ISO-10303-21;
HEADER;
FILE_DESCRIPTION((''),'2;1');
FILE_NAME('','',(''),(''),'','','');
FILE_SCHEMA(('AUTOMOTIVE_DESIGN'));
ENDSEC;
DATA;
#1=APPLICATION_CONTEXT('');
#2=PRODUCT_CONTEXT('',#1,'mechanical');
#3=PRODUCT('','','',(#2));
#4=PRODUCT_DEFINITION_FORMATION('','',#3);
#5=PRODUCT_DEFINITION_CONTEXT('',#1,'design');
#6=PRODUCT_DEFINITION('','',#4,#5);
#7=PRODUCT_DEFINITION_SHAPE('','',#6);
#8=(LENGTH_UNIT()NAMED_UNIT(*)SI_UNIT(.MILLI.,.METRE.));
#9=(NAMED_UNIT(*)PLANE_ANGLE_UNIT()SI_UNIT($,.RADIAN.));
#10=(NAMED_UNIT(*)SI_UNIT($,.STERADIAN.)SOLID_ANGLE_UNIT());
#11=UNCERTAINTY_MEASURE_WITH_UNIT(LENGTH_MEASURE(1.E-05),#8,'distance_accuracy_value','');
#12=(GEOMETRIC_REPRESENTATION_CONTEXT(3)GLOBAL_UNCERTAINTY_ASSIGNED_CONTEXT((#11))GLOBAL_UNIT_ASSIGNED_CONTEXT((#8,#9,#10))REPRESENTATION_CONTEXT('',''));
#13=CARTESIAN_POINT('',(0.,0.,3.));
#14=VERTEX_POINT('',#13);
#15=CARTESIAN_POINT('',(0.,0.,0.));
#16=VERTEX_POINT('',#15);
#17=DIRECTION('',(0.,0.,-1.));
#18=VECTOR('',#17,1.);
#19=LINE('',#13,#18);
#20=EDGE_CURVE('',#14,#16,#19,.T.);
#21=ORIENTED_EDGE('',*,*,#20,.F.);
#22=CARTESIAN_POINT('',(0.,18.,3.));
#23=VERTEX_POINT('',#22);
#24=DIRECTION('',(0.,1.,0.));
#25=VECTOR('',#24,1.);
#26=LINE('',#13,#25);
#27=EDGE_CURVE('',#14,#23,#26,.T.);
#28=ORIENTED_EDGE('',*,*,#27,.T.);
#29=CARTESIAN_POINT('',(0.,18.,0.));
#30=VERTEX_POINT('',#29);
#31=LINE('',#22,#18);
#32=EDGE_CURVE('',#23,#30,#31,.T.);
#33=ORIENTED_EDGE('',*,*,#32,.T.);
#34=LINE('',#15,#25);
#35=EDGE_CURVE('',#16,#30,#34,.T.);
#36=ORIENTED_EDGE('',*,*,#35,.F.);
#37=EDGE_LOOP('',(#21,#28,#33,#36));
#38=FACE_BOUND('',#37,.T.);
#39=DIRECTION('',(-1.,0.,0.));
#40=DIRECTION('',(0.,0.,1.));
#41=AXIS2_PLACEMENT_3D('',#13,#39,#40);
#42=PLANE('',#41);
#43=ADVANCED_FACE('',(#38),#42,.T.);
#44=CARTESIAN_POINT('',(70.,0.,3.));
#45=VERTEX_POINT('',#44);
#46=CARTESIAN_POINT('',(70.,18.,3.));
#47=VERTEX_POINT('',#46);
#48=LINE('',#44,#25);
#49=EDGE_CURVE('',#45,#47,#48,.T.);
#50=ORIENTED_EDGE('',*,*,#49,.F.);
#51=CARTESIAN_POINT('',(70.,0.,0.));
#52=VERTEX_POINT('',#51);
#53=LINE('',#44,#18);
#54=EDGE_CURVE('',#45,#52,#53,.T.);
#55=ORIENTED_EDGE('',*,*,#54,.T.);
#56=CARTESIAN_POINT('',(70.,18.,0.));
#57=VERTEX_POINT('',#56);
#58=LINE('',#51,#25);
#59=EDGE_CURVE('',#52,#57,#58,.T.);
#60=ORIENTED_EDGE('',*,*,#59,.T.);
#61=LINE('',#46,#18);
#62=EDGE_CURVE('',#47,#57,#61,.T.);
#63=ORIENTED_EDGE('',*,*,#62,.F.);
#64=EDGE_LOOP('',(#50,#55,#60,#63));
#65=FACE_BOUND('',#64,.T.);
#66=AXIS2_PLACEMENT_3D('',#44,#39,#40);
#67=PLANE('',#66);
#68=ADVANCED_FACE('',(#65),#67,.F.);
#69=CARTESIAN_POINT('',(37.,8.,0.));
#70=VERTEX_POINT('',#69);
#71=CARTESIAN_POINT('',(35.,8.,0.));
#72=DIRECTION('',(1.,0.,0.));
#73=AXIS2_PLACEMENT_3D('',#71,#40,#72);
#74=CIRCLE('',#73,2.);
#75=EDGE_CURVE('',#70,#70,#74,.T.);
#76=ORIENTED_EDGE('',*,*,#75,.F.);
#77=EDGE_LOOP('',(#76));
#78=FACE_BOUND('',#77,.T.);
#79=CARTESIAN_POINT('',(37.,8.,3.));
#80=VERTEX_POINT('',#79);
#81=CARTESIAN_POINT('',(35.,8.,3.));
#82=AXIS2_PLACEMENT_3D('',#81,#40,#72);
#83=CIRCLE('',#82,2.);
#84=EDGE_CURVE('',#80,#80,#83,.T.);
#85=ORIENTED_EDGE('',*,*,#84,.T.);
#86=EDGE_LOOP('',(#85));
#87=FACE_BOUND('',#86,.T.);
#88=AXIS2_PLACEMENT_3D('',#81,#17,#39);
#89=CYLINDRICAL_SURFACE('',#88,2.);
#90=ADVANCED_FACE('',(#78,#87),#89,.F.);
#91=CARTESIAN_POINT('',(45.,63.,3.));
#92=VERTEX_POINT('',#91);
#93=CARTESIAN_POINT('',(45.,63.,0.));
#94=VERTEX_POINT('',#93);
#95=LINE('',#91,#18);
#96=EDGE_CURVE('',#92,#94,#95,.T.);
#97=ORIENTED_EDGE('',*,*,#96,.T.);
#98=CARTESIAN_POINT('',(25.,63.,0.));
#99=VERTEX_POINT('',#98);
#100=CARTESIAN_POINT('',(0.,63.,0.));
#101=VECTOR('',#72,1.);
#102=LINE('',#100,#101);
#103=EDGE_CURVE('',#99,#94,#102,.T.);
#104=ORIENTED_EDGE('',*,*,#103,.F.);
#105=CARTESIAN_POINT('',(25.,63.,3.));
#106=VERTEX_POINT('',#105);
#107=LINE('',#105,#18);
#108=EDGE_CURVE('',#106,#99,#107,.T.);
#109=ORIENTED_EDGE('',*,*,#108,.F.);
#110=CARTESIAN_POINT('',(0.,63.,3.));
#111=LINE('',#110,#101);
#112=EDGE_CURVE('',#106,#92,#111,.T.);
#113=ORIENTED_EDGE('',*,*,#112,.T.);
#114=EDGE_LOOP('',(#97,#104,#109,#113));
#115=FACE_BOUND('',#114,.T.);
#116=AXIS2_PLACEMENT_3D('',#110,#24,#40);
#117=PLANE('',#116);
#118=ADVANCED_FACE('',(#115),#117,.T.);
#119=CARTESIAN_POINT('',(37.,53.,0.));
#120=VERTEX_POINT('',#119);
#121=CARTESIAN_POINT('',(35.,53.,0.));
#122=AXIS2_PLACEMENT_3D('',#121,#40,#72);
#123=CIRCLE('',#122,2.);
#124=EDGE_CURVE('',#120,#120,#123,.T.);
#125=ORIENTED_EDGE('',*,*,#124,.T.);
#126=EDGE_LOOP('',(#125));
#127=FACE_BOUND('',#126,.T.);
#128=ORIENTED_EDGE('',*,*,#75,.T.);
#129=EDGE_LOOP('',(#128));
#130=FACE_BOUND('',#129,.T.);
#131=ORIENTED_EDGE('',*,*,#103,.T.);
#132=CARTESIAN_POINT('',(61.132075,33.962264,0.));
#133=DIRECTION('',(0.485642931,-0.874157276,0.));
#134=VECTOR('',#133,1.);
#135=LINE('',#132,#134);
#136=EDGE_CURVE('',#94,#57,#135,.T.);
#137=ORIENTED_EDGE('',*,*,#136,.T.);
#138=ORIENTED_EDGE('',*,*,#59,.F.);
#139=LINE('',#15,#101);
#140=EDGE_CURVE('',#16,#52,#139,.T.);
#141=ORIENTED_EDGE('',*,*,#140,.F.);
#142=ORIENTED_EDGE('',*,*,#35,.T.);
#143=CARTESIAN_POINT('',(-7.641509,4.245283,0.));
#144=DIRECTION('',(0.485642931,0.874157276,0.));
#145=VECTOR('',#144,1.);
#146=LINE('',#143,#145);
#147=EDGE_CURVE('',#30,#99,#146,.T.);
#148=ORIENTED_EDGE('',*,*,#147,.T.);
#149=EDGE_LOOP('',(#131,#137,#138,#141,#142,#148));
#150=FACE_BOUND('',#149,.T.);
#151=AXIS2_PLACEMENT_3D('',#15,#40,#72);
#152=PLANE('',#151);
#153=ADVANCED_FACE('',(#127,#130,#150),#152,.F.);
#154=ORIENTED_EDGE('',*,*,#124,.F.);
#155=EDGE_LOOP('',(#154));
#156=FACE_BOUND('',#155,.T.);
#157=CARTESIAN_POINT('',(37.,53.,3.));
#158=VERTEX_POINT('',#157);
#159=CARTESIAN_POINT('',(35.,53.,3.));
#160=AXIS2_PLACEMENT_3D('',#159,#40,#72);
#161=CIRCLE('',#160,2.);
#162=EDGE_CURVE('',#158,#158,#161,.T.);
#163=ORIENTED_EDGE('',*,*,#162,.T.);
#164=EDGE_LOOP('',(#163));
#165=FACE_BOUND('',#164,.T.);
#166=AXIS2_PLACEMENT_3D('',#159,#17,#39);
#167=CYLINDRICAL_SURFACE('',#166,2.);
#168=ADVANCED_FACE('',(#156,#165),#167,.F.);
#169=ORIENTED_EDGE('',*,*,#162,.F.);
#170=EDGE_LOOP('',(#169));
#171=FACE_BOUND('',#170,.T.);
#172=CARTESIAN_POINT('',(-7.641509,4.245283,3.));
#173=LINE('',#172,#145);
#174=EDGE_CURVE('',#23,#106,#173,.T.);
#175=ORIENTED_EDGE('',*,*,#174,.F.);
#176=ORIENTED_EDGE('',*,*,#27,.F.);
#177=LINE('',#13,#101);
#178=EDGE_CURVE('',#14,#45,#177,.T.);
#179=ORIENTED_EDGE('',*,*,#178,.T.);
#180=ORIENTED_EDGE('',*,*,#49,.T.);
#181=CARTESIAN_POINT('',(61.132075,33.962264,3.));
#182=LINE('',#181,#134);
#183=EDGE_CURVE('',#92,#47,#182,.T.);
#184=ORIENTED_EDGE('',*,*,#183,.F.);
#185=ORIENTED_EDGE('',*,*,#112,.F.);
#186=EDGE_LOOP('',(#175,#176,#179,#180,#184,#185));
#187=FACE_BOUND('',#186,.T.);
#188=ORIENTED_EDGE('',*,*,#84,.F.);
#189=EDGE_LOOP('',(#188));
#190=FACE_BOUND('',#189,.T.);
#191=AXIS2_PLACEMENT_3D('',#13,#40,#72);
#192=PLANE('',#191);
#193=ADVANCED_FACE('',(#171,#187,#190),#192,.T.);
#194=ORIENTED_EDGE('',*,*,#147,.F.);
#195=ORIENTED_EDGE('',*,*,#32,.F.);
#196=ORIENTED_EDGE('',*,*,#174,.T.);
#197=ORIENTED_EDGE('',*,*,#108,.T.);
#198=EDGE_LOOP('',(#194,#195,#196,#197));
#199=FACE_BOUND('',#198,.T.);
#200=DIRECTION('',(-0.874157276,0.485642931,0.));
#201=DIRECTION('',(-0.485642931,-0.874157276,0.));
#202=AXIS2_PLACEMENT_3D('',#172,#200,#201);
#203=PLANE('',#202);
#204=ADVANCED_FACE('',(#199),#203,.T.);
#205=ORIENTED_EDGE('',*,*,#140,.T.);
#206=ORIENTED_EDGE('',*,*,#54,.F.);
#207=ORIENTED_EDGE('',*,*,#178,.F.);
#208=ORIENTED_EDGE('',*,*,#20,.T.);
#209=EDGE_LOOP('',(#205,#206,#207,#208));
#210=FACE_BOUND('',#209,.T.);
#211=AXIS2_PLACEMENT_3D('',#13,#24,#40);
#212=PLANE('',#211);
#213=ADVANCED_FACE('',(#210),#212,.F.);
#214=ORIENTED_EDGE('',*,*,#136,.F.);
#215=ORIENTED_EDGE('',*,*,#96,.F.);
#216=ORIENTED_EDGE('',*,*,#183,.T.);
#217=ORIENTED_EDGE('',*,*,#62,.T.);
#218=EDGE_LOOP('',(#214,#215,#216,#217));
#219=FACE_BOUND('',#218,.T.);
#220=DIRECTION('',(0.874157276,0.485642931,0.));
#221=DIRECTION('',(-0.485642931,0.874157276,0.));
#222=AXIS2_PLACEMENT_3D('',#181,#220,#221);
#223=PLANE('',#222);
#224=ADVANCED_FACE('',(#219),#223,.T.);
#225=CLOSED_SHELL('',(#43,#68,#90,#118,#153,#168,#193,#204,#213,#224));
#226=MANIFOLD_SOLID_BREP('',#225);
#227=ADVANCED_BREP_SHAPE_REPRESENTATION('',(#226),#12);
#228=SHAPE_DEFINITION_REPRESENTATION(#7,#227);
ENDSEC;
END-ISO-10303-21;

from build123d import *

# Parameters (mm, degrees)
IZIM1_R                     = 2
IZIM1_W                     = 70
IZIM1_H                     = 18
Y_KSEKLIK_EKSTR_ZYON1_DEPTH = 3


with BuildPart() as part:
    # Çizim1 → Yükseklik-Ekstrüzyon1 (new body)
    # profile 1 of 2: a face of its own
    with BuildSketch(Plane.XY):
        Polygon((45, 63), (70, 18), (0, 18), (25, 63), align=None)
        with Locations((35, 53)):
            Circle(IZIM1_R, mode=Mode.SUBTRACT)
    # profile 2 of 2: a face of its own
    with BuildSketch(Plane.XY):
        with Locations((35, 9)):
            Rectangle(IZIM1_W, IZIM1_H)
        with Locations((35, 8)):
            Circle(IZIM1_R, mode=Mode.SUBTRACT)
    extrude(amount=Y_KSEKLIK_EKSTR_ZYON1_DEPTH)


solid = part.part
